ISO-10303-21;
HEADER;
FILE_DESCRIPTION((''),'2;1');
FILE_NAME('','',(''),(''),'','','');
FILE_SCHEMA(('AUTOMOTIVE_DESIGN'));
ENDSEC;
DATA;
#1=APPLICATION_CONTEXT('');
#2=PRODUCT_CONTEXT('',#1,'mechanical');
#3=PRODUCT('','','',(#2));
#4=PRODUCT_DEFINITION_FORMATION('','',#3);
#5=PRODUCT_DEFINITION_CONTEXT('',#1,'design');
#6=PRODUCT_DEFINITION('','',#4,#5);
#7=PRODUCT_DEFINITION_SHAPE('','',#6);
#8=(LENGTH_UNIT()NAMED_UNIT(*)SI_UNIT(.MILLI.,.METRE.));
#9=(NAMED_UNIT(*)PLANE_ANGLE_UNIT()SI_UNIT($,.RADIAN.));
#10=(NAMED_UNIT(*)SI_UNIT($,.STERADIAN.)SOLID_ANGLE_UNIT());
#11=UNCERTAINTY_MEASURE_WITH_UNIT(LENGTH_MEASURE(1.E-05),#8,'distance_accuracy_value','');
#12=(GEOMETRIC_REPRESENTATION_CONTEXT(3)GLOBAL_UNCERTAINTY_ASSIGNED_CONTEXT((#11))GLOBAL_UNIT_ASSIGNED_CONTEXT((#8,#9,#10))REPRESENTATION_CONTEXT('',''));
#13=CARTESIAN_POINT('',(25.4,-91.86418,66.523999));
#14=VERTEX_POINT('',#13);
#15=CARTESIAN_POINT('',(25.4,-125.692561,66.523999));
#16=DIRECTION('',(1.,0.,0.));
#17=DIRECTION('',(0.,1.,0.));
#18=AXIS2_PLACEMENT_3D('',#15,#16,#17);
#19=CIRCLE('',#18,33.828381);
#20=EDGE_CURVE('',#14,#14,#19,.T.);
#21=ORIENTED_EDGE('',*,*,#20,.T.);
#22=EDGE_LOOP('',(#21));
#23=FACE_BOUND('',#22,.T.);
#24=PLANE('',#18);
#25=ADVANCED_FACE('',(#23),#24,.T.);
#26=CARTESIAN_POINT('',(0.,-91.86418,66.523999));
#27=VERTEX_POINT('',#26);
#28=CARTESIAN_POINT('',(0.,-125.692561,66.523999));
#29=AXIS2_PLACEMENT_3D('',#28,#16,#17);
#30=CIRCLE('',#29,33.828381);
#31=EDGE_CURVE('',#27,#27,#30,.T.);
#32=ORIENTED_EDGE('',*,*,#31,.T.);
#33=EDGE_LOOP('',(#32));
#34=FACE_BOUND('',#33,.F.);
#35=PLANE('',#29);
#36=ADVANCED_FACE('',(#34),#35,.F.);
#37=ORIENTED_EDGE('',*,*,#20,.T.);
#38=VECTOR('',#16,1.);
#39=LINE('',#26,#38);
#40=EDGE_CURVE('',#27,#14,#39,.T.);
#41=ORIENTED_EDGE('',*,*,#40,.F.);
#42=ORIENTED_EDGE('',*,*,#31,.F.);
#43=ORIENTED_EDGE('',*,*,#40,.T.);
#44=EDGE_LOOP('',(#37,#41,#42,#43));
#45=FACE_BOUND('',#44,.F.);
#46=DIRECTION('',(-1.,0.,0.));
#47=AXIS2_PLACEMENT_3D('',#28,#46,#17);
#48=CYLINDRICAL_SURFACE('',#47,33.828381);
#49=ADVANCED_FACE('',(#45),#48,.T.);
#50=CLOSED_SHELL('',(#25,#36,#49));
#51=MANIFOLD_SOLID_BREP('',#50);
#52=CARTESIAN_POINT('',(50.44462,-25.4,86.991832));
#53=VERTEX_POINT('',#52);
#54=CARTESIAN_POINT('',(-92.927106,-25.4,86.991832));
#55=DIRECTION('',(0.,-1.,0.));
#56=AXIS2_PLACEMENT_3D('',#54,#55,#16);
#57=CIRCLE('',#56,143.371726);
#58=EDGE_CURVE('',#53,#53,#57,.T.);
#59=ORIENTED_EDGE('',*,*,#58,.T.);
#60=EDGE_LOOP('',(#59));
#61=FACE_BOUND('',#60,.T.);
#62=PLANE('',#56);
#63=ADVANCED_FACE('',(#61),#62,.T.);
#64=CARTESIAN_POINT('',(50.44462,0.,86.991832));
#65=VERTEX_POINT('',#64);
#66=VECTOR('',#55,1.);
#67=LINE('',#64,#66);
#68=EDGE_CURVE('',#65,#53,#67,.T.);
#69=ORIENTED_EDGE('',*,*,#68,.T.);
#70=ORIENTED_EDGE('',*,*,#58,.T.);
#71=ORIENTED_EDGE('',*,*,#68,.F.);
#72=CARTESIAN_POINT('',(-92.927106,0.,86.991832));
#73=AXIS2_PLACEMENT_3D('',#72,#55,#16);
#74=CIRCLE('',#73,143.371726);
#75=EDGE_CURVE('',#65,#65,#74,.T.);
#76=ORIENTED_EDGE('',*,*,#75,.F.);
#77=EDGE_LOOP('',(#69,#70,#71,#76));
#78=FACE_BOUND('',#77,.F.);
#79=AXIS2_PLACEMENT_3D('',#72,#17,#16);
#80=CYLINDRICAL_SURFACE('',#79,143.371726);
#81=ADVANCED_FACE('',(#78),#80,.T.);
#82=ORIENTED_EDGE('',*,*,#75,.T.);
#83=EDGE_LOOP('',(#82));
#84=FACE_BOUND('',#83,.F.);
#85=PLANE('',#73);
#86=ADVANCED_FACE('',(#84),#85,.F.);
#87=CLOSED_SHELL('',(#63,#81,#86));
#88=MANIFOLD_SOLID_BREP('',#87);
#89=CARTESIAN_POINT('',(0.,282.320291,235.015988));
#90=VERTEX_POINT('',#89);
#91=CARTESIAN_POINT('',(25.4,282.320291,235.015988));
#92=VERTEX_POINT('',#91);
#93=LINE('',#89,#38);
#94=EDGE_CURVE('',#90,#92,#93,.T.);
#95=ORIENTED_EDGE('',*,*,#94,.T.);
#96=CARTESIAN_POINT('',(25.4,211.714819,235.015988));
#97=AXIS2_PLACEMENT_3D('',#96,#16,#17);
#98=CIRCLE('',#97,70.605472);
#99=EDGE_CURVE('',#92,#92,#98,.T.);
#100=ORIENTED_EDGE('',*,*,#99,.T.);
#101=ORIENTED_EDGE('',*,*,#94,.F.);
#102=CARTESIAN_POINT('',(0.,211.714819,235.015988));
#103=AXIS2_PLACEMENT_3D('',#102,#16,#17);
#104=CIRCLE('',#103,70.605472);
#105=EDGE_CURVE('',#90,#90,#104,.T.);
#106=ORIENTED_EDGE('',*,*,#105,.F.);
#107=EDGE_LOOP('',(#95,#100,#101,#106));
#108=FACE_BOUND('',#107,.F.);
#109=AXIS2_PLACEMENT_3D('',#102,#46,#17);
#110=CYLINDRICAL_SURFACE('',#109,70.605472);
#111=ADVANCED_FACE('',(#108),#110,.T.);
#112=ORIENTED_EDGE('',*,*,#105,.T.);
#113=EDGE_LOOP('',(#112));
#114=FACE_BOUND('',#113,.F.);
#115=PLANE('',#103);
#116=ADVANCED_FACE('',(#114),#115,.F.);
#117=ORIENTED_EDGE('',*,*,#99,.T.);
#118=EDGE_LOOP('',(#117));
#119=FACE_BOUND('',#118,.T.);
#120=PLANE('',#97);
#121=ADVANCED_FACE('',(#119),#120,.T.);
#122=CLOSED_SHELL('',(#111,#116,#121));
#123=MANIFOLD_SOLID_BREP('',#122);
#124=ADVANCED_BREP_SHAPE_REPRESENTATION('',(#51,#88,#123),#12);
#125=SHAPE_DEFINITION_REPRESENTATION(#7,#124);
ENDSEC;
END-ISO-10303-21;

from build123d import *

# Parameters (mm, degrees)
F0_R     = 33.828381
F1_DEPTH = 25.4
F2_R     = 70.605472
F3_DEPTH = 25.4
F4_R     = 143.371726
F5_DEPTH = 25.4


with BuildPart() as f1:
    # F0 (on Right) → F1 (new body)
    with BuildSketch(Plane.YZ):
        with Locations((-125.692561, 66.523999)):
            Circle(F0_R)
    extrude(amount=F1_DEPTH)


with BuildPart() as f3:
    # F2 (on Right) → F3 (new body)
    with BuildSketch(Plane.YZ):
        with Locations((211.714819, 235.015988)):
            Circle(F2_R)
    extrude(amount=F3_DEPTH)


with BuildPart() as f5:
    # F4 (on Front) → F5 (new body)
    with BuildSketch(Plane.XZ):
        with Locations((-92.927106, 86.991832)):
            Circle(F4_R)
    extrude(amount=F5_DEPTH)


solid = Compound([f1.part, f3.part, f5.part])
